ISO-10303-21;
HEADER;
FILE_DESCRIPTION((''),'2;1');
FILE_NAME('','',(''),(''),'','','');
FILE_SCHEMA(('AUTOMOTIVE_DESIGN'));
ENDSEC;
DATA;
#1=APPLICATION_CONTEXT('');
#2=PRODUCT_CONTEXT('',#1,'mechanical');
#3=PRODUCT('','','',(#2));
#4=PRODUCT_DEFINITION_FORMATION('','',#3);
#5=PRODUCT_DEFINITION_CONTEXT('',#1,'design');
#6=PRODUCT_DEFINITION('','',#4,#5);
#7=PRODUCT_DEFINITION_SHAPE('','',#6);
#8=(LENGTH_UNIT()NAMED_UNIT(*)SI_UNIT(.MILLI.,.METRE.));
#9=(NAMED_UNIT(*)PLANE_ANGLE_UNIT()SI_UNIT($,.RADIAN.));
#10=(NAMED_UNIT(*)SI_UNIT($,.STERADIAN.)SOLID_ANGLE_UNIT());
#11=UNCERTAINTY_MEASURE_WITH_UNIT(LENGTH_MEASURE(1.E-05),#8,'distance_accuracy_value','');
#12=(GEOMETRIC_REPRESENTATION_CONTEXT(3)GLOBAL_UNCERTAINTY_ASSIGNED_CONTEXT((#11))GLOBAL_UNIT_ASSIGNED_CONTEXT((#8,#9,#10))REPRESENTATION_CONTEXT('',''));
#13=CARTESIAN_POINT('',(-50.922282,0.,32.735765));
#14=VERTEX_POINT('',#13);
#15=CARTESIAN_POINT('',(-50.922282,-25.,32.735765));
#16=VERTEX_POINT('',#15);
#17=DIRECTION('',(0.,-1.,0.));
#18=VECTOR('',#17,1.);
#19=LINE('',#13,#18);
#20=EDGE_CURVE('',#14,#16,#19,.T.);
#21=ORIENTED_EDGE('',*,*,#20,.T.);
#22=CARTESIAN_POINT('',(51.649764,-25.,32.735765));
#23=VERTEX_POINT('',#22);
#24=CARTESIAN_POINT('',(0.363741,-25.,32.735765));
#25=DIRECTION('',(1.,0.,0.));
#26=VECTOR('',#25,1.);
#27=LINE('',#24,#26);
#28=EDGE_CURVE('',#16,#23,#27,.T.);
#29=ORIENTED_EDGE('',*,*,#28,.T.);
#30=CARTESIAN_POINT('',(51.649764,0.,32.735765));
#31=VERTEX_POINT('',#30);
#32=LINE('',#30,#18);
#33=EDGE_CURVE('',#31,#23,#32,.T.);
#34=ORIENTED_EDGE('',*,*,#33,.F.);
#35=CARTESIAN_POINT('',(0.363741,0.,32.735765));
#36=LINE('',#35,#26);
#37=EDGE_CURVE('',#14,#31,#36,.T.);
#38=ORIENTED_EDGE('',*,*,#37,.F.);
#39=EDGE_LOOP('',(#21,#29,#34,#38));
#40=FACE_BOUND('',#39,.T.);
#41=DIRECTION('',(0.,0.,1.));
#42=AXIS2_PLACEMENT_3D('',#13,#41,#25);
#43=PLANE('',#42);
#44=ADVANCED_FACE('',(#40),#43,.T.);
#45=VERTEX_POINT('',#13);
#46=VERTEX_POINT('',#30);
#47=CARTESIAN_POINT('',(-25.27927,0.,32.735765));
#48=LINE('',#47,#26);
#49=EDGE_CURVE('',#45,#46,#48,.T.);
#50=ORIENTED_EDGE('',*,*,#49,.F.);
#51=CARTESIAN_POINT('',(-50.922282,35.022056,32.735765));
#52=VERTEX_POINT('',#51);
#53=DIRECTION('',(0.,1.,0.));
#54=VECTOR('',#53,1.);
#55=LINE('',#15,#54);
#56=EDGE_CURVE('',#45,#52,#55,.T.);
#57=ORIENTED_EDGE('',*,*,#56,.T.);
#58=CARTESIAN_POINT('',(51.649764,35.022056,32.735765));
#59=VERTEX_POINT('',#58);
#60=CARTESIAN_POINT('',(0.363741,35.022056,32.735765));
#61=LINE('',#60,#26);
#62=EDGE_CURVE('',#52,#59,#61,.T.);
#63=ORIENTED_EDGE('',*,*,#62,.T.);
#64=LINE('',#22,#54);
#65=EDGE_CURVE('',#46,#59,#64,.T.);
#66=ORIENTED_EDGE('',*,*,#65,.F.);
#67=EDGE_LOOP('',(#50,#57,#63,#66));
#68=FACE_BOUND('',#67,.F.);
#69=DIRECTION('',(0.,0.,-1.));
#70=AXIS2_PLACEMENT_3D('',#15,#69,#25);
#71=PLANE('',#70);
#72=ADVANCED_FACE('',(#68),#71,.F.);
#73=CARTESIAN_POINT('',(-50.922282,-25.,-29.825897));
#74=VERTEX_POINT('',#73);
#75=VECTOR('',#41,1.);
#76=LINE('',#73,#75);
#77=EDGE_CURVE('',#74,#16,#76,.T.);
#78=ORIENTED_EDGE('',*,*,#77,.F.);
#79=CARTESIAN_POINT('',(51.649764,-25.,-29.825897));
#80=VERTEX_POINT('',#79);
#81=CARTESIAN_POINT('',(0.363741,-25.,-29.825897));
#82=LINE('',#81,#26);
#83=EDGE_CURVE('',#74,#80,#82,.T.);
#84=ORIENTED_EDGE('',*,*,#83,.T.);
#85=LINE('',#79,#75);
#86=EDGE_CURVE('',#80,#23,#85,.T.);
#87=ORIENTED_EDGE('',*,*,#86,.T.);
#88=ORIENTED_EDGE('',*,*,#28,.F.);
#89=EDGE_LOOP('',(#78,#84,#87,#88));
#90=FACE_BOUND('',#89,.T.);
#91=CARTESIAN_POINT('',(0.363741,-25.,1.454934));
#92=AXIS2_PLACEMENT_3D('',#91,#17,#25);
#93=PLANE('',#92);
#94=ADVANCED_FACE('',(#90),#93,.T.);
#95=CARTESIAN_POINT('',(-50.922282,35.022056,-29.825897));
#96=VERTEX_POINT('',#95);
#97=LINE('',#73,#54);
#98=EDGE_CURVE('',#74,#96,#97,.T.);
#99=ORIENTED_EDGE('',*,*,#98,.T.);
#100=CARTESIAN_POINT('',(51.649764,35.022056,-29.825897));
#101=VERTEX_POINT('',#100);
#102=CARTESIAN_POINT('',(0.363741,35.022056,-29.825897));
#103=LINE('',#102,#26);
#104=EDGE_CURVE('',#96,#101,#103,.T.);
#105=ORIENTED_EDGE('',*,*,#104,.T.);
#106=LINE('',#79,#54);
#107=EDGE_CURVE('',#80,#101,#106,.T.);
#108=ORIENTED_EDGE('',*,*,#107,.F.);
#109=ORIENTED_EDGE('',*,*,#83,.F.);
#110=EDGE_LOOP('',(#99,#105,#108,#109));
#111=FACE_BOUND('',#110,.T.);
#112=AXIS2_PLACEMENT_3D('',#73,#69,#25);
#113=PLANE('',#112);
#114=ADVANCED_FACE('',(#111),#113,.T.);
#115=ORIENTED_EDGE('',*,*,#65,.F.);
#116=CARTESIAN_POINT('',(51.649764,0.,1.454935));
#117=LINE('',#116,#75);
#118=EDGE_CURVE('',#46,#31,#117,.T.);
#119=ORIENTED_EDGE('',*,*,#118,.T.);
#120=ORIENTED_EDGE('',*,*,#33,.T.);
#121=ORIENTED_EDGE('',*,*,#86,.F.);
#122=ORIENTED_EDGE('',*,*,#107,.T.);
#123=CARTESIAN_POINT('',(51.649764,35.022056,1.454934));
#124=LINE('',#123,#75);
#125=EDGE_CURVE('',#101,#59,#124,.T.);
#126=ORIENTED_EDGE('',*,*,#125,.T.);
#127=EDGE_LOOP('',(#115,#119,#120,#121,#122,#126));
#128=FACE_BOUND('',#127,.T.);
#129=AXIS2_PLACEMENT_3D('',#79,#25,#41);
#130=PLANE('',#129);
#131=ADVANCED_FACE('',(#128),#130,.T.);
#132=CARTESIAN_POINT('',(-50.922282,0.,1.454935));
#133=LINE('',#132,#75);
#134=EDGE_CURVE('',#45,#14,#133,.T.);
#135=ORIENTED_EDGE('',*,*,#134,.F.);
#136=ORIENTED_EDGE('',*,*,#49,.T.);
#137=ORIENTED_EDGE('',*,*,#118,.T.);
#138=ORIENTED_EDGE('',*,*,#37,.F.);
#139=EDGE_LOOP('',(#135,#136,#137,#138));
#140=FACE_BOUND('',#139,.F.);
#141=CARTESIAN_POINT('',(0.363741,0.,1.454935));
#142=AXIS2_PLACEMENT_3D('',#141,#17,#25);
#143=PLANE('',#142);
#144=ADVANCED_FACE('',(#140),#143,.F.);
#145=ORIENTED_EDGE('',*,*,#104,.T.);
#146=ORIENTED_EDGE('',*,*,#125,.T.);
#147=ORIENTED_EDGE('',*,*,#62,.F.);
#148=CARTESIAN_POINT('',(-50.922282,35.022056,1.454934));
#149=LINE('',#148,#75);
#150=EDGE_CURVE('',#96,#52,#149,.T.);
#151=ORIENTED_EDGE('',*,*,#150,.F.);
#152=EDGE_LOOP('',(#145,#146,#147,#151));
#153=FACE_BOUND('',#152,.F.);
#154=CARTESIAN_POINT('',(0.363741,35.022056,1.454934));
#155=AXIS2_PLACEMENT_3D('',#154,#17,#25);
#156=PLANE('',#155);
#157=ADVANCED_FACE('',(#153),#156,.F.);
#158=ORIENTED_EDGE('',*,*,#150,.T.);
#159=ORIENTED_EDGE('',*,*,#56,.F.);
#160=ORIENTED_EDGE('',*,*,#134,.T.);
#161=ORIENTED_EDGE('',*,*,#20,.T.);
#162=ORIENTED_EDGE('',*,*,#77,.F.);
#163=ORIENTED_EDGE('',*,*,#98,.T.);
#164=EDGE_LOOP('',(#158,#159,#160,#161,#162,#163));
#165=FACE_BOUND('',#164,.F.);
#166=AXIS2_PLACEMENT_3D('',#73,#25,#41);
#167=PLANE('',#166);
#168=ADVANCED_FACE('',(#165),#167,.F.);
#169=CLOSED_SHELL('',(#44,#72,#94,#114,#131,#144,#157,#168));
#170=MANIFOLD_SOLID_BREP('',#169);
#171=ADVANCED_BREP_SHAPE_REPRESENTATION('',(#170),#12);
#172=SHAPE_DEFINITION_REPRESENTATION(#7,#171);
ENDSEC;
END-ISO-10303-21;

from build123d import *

# Parameters (mm, degrees)
F0_W      = 102.572046
F0_H      = 62.561661
F1_DEPTH  = 25
F1_FACE_W = 102.572046
F1_FACE_H = 62.561662
F2_DEPTH  = 60.022056


with BuildPart() as f1:
    # F0 (on Front) → F1 (new body)
    with BuildSketch(Plane.XZ):
        with Locations((0.363741, 1.454935)):
            Rectangle(F0_W, F0_H)
    extrude(amount=F1_DEPTH)

    # F1_face (on face) → F2 (join)
    with BuildSketch(Plane(origin=(0.363741, -25, 1.454934), x_dir=(1, 0, 0), z_dir=(0, -1, 0))):
        Rectangle(F1_FACE_W, F1_FACE_H)
    extrude(amount=-F2_DEPTH)


solid = f1.part
